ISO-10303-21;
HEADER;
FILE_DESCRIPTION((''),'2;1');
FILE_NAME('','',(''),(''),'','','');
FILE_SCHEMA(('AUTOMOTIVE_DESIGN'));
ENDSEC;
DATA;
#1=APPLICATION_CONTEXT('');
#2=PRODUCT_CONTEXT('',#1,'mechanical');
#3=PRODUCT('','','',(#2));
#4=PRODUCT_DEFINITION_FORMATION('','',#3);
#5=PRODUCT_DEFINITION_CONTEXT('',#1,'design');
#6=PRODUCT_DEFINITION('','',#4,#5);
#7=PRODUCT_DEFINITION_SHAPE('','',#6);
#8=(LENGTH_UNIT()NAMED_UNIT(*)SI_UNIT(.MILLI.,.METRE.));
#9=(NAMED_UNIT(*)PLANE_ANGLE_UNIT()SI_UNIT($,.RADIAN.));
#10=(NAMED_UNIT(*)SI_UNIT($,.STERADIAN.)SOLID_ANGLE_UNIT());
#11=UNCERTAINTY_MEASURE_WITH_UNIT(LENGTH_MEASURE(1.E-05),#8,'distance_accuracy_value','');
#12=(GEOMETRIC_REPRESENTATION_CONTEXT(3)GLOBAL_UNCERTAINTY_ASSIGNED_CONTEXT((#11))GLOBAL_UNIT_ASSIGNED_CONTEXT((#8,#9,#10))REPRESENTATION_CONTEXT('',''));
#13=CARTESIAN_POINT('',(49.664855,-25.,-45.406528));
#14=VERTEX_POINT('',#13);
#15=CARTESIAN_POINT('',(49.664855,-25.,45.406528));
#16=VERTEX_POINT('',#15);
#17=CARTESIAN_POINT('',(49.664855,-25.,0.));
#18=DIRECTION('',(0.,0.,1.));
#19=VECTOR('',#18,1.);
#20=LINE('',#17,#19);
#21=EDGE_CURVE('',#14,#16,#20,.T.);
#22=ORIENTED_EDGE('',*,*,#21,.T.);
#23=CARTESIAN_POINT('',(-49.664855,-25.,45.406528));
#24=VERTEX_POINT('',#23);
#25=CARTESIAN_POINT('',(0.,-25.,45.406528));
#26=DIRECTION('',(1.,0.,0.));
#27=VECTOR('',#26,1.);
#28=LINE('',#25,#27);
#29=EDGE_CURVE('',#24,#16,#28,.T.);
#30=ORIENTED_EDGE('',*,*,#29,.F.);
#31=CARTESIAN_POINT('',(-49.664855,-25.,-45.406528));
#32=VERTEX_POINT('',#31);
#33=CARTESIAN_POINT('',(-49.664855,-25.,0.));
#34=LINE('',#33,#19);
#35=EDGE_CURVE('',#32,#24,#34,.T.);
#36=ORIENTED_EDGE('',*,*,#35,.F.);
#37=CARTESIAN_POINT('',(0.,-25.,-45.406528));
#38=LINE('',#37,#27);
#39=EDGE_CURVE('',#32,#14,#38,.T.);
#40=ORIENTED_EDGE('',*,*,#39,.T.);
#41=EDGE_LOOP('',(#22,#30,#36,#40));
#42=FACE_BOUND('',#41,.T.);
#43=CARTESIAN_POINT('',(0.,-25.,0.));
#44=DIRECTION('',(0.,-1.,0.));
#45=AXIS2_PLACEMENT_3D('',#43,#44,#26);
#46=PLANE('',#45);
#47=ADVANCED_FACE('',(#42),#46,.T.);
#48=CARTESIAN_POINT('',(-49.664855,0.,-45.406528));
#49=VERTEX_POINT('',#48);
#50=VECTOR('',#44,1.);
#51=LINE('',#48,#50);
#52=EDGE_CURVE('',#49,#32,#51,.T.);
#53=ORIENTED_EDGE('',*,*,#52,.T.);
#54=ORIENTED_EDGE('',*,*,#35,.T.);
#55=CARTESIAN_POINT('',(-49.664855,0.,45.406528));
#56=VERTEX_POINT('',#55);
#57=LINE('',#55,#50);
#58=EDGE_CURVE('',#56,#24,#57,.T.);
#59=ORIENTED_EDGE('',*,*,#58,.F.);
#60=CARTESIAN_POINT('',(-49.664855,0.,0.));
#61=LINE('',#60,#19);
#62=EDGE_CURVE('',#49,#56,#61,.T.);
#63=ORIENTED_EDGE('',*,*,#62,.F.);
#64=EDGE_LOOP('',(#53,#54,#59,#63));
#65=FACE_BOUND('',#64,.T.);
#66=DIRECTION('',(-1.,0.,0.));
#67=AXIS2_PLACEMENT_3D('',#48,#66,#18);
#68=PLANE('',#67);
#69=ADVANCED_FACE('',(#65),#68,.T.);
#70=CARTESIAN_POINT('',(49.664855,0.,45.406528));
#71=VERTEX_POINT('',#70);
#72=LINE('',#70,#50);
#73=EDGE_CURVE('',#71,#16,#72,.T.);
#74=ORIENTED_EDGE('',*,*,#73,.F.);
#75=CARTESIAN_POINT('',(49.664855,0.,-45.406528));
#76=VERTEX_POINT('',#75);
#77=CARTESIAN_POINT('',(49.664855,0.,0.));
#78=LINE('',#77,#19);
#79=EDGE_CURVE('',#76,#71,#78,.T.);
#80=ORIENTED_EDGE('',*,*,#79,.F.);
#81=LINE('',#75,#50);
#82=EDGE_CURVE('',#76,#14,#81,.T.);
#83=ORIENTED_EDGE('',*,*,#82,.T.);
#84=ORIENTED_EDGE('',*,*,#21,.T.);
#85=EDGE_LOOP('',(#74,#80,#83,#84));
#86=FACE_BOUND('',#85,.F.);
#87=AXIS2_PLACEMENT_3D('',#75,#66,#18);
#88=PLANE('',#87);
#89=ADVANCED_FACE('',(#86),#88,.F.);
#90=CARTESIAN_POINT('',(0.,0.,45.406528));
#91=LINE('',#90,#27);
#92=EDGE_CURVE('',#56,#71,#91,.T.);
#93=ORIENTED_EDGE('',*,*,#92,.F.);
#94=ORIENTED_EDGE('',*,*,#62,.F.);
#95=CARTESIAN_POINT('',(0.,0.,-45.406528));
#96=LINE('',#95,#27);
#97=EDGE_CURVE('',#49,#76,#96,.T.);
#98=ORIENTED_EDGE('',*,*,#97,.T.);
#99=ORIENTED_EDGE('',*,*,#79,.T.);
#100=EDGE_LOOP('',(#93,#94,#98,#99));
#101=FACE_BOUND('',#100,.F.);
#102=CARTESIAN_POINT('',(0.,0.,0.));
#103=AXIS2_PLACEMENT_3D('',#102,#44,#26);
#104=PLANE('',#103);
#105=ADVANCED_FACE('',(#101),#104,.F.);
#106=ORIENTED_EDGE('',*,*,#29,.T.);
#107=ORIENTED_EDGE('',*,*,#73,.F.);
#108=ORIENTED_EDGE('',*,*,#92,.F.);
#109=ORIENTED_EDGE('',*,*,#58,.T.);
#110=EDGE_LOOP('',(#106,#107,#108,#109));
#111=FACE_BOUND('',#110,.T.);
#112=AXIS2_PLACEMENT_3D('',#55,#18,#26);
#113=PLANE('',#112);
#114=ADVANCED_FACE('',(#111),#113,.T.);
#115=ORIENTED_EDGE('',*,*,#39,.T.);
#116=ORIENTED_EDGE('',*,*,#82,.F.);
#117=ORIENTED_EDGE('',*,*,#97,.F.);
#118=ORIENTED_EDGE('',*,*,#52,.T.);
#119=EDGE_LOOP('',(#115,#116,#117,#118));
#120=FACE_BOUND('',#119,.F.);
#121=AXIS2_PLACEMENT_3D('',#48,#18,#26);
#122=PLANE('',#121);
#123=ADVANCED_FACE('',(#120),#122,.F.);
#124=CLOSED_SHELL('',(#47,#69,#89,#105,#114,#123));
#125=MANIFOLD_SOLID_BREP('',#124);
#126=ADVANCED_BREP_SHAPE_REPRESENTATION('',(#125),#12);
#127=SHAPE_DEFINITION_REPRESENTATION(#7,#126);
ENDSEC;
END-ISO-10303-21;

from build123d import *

# Parameters (mm, degrees)
F0_W     = 99.32971
F0_H     = 90.813056
F1_DEPTH = 25


with BuildPart() as f1:
    # F0 (on Front) → F1 (new body)
    with BuildSketch(Plane.XZ):
        Rectangle(F0_W, F0_H)
    extrude(amount=F1_DEPTH)


solid = f1.part
